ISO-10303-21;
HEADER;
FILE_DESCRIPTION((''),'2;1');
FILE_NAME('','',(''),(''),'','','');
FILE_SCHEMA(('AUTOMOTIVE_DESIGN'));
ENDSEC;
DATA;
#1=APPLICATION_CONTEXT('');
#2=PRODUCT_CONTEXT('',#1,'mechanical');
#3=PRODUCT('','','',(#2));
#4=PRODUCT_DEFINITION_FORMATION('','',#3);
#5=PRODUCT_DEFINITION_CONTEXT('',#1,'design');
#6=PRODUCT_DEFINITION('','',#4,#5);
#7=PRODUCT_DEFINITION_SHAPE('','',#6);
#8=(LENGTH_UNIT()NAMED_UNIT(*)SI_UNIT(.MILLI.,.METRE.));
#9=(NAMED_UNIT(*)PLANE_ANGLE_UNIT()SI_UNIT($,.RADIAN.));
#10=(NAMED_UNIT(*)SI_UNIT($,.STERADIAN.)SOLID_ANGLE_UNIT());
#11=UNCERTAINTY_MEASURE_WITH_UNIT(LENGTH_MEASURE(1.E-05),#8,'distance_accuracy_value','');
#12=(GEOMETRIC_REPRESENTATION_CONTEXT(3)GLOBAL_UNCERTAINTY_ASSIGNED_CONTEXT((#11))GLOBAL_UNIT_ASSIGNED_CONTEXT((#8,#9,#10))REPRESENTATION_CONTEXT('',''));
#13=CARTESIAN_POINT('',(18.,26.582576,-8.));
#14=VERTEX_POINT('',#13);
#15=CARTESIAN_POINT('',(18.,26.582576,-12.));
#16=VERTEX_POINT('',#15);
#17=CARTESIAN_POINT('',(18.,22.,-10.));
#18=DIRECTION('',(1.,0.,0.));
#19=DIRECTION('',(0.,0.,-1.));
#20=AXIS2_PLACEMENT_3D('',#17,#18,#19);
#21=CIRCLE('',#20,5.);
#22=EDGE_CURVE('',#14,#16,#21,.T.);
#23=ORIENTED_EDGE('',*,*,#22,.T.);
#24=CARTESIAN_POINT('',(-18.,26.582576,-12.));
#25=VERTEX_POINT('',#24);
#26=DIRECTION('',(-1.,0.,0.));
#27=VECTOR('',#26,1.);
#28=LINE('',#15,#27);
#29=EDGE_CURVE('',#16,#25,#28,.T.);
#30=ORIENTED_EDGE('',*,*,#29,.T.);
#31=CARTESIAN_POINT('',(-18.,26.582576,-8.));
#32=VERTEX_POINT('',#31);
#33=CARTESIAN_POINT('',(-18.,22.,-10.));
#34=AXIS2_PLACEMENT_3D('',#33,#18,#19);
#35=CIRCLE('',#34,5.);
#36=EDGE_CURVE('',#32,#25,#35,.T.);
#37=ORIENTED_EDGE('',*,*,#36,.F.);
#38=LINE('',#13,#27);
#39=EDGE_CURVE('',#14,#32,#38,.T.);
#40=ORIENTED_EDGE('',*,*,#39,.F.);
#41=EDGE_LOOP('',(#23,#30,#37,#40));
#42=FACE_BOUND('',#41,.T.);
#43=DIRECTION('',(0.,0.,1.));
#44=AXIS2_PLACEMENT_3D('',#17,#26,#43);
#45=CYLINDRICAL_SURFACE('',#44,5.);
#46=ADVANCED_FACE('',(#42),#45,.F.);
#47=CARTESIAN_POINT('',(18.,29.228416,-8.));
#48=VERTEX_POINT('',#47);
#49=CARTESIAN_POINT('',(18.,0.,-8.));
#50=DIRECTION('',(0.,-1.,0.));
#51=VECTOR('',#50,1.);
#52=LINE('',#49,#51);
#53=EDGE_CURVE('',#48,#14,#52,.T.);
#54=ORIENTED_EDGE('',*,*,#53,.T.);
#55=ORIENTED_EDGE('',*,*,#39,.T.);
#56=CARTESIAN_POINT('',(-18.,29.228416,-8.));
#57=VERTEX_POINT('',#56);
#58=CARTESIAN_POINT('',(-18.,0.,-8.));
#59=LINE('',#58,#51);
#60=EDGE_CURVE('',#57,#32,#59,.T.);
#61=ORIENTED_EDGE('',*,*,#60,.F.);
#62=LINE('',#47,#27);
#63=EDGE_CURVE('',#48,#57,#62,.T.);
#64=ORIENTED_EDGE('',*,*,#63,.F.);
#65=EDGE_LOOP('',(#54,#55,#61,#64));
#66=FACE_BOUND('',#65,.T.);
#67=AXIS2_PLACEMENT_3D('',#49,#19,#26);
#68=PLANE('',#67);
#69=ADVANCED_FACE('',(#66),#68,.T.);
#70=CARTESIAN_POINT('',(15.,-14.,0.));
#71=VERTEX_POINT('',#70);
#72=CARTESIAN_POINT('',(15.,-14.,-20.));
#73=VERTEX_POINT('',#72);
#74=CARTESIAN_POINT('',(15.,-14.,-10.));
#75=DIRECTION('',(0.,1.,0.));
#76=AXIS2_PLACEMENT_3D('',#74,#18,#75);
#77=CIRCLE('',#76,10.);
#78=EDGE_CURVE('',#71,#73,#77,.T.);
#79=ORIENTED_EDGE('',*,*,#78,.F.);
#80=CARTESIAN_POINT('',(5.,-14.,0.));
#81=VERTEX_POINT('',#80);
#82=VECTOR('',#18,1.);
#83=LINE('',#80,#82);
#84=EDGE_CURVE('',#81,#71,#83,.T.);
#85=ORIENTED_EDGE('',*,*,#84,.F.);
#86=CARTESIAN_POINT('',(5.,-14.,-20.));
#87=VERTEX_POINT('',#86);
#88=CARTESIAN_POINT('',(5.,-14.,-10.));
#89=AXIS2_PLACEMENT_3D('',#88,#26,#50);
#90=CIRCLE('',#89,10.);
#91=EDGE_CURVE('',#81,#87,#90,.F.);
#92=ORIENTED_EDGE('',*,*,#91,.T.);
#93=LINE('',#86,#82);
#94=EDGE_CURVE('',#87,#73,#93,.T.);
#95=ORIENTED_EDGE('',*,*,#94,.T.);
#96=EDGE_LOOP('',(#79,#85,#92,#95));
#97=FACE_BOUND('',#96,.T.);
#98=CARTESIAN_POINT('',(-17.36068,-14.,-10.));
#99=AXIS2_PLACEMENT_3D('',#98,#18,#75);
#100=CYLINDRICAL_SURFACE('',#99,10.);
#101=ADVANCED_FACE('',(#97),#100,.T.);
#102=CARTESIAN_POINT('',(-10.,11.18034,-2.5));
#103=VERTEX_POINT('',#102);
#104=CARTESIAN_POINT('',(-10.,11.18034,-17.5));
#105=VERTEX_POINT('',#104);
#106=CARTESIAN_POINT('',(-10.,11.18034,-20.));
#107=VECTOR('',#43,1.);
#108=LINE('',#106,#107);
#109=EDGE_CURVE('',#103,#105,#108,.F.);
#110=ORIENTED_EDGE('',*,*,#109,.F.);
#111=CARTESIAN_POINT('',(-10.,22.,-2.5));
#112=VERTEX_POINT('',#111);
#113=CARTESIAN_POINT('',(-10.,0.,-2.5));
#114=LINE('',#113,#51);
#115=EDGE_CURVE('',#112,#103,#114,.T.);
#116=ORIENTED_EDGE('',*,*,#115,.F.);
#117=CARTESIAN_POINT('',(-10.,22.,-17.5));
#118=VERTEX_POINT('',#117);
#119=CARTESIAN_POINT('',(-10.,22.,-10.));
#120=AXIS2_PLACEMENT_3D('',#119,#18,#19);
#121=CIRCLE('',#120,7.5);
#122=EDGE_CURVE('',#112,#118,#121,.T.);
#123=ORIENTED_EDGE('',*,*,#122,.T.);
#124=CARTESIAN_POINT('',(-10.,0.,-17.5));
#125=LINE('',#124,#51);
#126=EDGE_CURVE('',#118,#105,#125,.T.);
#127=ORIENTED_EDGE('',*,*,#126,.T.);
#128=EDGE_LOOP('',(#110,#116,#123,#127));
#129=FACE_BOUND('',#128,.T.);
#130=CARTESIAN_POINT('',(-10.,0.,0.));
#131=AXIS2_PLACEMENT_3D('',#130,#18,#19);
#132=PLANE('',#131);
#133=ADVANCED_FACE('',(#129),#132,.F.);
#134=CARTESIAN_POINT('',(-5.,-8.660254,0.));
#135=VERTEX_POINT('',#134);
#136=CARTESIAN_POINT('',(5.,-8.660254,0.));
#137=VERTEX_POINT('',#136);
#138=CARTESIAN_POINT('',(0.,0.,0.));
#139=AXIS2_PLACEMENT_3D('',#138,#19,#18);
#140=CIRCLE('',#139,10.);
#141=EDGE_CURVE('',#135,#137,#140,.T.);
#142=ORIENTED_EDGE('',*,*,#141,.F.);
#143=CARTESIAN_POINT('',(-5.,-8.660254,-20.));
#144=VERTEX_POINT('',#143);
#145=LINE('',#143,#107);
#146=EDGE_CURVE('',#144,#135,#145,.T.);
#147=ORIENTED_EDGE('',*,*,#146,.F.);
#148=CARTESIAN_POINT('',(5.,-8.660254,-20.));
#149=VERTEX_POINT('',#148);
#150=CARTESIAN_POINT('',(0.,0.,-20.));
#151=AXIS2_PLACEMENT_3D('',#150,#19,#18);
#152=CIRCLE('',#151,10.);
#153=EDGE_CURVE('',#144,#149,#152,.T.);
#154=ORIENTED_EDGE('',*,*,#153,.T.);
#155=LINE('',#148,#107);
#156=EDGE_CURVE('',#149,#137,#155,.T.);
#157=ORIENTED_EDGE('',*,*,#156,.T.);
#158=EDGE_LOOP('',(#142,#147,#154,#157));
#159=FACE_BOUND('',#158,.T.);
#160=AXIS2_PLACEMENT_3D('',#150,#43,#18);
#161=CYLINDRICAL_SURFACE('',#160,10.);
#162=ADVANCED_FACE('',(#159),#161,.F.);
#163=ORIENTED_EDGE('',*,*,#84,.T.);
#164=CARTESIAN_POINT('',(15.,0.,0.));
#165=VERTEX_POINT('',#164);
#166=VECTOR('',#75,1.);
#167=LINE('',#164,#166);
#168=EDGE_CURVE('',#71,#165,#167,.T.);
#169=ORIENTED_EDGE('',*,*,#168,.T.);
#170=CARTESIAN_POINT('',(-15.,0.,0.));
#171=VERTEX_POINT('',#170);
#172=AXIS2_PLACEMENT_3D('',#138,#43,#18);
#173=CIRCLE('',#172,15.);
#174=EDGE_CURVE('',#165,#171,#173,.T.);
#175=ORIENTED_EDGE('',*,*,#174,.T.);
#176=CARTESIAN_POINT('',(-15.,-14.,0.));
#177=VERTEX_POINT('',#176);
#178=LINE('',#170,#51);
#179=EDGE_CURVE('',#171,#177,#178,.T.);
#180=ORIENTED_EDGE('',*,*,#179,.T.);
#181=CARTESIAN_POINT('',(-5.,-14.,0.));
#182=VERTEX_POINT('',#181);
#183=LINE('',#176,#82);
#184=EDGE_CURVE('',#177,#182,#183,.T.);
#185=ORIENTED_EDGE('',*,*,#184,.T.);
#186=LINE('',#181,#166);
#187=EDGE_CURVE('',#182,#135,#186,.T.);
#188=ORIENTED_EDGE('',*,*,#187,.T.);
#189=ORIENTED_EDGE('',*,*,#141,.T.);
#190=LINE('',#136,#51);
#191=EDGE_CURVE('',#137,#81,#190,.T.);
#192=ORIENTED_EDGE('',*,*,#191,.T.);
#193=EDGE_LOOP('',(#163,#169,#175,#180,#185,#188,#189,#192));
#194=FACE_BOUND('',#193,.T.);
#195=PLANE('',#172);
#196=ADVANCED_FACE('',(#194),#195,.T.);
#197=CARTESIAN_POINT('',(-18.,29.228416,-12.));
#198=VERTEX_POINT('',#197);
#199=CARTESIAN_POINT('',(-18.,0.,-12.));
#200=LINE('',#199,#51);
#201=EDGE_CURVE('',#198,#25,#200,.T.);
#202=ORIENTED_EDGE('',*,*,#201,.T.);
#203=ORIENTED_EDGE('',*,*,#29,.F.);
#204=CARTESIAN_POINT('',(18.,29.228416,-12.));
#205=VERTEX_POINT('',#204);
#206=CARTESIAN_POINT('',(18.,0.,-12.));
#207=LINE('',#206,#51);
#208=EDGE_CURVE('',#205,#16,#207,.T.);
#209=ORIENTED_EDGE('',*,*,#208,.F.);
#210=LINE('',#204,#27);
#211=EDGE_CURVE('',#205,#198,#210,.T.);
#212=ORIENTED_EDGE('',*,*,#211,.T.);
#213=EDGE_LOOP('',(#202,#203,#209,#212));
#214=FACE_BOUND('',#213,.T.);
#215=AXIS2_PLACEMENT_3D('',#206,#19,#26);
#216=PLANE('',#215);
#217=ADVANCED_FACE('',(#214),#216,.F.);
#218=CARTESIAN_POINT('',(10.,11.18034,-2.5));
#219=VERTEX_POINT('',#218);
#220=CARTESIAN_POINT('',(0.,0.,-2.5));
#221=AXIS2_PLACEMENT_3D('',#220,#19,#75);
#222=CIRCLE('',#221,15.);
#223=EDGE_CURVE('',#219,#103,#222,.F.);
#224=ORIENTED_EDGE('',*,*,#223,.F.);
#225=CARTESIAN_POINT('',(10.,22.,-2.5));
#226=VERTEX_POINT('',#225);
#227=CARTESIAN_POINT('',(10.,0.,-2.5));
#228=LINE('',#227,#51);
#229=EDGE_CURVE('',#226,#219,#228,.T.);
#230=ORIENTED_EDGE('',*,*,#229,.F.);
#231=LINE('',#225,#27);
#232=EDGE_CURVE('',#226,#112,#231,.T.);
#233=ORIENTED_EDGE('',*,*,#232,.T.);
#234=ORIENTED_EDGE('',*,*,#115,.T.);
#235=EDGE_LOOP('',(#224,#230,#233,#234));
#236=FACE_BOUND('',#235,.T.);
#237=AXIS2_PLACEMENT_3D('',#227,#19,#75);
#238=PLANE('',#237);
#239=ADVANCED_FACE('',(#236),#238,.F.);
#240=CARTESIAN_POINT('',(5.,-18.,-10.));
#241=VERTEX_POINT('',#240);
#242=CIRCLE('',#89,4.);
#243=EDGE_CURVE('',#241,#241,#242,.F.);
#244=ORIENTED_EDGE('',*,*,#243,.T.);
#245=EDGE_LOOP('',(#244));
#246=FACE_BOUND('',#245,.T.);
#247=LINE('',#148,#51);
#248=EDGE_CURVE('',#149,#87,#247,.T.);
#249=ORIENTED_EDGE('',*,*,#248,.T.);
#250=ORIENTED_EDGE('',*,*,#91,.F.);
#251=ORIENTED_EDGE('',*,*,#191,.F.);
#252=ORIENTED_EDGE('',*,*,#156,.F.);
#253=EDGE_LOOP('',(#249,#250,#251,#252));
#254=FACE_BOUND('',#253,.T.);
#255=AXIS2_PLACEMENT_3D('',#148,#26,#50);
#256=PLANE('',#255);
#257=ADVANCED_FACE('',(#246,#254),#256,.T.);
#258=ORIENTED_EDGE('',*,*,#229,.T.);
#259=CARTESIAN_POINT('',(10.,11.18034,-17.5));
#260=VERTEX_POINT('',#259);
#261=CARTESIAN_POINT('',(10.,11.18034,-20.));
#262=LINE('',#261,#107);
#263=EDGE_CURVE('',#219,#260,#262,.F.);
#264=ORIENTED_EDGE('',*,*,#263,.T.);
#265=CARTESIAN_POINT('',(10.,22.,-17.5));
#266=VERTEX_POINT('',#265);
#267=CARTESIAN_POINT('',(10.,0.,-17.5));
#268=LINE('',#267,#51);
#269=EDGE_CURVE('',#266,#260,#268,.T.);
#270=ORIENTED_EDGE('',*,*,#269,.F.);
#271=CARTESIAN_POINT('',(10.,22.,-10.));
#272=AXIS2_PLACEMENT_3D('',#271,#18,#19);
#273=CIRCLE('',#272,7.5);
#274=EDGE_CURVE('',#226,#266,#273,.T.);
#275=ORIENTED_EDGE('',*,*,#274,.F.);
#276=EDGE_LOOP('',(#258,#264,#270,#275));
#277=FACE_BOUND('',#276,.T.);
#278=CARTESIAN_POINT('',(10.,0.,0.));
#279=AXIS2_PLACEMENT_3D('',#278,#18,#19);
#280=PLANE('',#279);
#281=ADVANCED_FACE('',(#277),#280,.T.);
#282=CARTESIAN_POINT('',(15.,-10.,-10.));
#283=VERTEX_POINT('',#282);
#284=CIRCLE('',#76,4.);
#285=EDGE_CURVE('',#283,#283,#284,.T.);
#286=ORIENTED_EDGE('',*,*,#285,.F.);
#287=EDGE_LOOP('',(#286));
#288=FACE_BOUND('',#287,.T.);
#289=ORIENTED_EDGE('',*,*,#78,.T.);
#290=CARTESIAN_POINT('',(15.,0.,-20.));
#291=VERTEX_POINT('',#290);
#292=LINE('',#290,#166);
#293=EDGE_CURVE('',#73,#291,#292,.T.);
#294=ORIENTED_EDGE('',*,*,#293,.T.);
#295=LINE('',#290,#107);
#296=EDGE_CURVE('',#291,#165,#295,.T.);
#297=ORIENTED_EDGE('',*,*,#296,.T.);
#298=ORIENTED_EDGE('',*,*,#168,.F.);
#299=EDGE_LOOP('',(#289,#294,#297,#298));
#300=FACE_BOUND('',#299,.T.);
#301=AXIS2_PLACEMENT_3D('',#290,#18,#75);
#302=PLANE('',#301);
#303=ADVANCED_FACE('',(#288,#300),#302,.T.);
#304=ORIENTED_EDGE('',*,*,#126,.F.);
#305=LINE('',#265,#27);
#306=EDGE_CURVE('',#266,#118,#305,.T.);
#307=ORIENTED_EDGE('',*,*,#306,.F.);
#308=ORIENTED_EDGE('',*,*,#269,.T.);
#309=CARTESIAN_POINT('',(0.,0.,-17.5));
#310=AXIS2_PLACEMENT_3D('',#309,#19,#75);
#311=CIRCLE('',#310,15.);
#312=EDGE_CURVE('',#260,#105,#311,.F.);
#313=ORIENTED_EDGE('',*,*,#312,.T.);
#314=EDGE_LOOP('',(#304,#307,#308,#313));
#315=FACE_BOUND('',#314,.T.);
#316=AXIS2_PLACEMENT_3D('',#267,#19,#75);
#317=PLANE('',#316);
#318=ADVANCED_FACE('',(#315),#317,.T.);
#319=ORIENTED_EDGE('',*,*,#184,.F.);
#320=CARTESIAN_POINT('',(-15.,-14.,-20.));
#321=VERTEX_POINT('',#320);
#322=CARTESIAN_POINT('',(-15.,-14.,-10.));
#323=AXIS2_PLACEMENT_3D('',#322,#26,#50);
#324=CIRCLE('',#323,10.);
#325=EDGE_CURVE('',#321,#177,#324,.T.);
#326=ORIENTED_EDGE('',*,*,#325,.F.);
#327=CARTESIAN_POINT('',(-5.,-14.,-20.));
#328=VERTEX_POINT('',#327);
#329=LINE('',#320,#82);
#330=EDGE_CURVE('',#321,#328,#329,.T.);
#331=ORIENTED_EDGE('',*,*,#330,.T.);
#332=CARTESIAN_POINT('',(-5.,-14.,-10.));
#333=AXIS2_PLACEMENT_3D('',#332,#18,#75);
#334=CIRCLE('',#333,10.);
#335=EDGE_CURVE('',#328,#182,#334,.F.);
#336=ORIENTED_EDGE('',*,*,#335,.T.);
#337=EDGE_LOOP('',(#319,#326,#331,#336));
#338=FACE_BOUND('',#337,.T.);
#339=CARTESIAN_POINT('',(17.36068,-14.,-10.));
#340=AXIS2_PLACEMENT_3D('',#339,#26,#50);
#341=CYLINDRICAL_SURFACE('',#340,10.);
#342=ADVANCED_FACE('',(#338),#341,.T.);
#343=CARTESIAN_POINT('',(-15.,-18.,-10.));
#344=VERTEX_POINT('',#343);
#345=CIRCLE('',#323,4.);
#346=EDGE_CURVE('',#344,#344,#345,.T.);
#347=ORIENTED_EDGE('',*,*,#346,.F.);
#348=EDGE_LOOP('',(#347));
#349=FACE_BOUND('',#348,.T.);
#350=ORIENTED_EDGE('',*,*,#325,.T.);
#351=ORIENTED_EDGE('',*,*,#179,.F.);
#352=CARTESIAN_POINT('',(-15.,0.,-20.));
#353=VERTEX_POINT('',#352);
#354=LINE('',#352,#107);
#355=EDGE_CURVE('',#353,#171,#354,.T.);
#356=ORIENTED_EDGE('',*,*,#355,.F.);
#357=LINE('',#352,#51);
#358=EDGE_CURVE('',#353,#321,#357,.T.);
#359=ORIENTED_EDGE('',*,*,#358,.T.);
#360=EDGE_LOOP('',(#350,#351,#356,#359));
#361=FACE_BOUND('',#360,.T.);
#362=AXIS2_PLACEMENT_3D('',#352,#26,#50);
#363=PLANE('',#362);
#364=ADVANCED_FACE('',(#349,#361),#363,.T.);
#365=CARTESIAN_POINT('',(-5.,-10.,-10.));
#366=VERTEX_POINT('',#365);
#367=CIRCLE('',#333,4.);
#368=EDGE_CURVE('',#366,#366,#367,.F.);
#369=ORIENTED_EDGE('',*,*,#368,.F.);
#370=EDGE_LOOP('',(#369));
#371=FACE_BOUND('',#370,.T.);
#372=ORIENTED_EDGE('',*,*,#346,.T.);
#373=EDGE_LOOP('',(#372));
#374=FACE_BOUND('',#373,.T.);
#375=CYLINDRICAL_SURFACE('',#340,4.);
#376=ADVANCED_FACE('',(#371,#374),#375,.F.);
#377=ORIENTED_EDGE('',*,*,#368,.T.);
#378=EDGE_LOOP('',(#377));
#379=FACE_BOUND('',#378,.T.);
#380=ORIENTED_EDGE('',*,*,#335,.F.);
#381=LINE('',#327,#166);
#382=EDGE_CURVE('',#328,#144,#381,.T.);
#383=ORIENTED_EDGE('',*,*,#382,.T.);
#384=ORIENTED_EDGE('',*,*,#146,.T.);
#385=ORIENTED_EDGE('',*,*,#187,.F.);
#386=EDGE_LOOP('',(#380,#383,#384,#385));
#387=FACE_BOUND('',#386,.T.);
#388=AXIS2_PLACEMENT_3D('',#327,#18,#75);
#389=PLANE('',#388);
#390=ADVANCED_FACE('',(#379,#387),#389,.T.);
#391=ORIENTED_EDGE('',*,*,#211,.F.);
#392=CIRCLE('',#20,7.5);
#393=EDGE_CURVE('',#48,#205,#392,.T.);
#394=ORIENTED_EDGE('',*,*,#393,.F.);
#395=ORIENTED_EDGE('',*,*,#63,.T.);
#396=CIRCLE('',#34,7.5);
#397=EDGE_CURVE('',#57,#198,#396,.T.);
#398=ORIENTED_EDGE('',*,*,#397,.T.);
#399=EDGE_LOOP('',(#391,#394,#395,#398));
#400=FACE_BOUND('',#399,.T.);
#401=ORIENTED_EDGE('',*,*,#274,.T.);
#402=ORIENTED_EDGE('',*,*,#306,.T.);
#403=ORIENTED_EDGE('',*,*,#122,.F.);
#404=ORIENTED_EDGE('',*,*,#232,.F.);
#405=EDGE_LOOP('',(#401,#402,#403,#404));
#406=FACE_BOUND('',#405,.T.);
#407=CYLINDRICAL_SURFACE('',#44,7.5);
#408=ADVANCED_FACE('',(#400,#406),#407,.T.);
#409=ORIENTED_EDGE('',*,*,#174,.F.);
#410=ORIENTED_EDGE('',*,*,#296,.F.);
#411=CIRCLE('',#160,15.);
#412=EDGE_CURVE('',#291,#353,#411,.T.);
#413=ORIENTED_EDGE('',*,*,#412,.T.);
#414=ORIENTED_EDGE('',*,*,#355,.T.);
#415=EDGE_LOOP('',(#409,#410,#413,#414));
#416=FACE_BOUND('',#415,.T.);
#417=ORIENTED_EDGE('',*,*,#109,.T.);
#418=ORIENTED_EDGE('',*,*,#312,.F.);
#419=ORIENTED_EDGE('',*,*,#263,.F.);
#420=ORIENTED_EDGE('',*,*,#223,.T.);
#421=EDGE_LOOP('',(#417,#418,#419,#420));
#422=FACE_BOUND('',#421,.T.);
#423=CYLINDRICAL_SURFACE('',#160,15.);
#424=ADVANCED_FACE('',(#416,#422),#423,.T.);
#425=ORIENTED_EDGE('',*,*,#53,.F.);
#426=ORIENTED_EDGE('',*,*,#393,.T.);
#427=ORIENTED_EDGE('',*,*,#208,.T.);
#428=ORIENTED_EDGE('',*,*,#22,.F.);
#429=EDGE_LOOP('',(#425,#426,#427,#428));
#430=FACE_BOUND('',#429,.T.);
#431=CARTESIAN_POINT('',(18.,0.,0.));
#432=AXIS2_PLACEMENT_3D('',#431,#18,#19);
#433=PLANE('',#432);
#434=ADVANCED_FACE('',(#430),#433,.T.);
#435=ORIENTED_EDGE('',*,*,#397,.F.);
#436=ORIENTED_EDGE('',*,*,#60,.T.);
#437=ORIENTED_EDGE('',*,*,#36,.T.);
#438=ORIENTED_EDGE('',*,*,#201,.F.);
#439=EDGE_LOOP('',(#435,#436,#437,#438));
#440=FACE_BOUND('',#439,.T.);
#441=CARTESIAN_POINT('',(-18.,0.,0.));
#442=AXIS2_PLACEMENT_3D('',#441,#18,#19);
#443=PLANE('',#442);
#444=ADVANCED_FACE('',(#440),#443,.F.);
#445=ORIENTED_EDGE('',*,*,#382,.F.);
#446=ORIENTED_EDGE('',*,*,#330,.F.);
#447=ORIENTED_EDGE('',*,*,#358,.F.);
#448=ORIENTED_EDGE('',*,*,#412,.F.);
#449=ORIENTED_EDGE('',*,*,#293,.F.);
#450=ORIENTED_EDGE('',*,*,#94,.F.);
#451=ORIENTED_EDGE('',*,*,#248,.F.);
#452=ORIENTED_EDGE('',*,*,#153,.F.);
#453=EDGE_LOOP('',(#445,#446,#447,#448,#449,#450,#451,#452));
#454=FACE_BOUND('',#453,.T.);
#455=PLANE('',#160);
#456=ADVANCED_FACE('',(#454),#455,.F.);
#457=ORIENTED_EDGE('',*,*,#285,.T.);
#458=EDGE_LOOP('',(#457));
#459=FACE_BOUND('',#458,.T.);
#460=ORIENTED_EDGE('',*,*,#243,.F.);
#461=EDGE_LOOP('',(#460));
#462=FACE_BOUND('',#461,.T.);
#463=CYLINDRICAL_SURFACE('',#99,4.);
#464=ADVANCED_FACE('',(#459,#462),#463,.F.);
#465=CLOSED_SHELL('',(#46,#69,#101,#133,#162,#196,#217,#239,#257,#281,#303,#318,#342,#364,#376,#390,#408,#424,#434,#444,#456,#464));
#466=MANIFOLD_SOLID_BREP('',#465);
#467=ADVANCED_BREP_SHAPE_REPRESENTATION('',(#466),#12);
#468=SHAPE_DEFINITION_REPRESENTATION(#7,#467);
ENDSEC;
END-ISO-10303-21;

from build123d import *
from build123d.topology import SkipClean

# Parameters (mm, degrees)
BIG_CYL_DEPTH       = 20
HALF_CIRCLE_DEPTH   = 10
SMALL_CYL_DEPTH     = 10
HALF_START          = -10
HALF_CIRCLE_2_DEPTH = 10
SMAL_START          = -10
SMAL_CYL_2_DEPTH    = 10
LONG_CYL_DEPTH      = 18
BASE_DEPTH          = 10


with BuildPart() as part:
    # Sketch1 → big cyl (new body)
    with BuildSketch(Plane.XY):
        with BuildLine():
            Line((-15, 0), (-15, -14))
            Line((-15, -14), (-5, -14))
            Line((-5, -14), (-5, -8.660254038))
            ThreePointArc((-5, -8.660254038), (0, 10), (5, -8.660254038))
            Line((5, -8.660254038), (5, -14))
            Line((5, -14), (15, -14))
            Line((15, -14), (15, 0))
            ThreePointArc((15, 0), (0, 15), (-15, 0))
        make_face()
    extrude(amount=-BIG_CYL_DEPTH)

    # Sketch2 → half circle (add)
    with BuildSketch(Plane.ZY.offset(15)):
        with BuildLine():
            Line((-14, -14), (-20, -14))
            ThreePointArc((-20, -14), (-10, -24), (0, -14))
            Line((0, -14), (-6, -14))
            ThreePointArc((-6, -14), (-10, -18), (-14, -14))
        make_face()
    extrude(amount=-HALF_CIRCLE_DEPTH)

    # Sketch2_5 → small cyl (cut)
    with SkipClean():  # the faces are left unmerged after this step: merging them gives an invalid solid
        with BuildSketch(Plane.ZY.offset(15)):
            with BuildLine():
                Line((-14, -14), (-6, -14))
                ThreePointArc((-6, -14), (-10, -10), (-14, -14))
            make_face()
        extrude(amount=-SMALL_CYL_DEPTH, mode=Mode.SUBTRACT)

    # Sketch4 → half circle 2 (add)
    with SkipClean():  # the faces are left unmerged after this step: merging them gives an invalid solid
        with BuildSketch(Plane(origin=(15, 0, 0), x_dir=(0, 0, -1), z_dir=(1, 0, 0)).offset(HALF_START)):
            with BuildLine():
                Line((6, -14), (0, -14))
                ThreePointArc((0, -14), (10, -24), (20, -14))
                Line((20, -14), (14, -14))
                ThreePointArc((14, -14), (10, -18), (6, -14))
            make_face()
        extrude(amount=HALF_CIRCLE_2_DEPTH)

    # Sketch4_4 → smal cyl 2 (cut)
    with SkipClean():  # the faces are left unmerged after this step: merging them gives an invalid solid
        with BuildSketch(Plane(origin=(15, 0, 0), x_dir=(0, 0, -1), z_dir=(1, 0, 0)).offset(SMAL_START)):
            with BuildLine():
                ThreePointArc((14, -14), (10, -10), (6, -14))
                Line((6, -14), (14, -14))
            make_face()
            with BuildLine():
                Line((14, -14), (6, -14))
                ThreePointArc((6, -14), (10, -18), (14, -14))
            make_face()
        extrude(amount=SMAL_CYL_2_DEPTH, mode=Mode.SUBTRACT)

    # Sketch5 → long cyl (add, symmetric)
    with SkipClean():  # the faces are left unmerged after this step: merging them gives an invalid solid
        with BuildSketch(Plane(origin=(0, 0, 0), x_dir=(0, 0, -1), z_dir=(1, 0, 0))):
            with BuildLine():
                ThreePointArc((8, 29.228416147), (4.031331807, 26.541475531), (2.5, 22))
                ThreePointArc((2.5, 22), (10, 14.5), (17.5, 22))
                ThreePointArc((17.5, 22), (15.968668193, 26.541475531), (12, 29.228416147))
                Line((12, 29.228416147), (12, 26.582575695))
                ThreePointArc((12, 26.582575695), (14.183300133, 24.738612788), (15, 22))
                ThreePointArc((15, 22), (7.261387212, 17.816699867), (8, 26.582575695))
                Line((8, 26.582575695), (8, 29.228416147))
            make_face()
        extrude(amount=LONG_CYL_DEPTH, both=True)

    # Sketch5_3 → base (add, symmetric)
    with SkipClean():  # the faces are left unmerged after this step: merging them gives an invalid solid
        with BuildSketch(Plane(origin=(0, 0, 0), x_dir=(0, 0, -1), z_dir=(1, 0, 0))):
            with BuildLine():
                ThreePointArc((17.5, 22), (10, 14.5), (2.5, 22))
                Line((2.5, 22), (2.5, 10.5))
                Line((2.5, 10.5), (17.5, 10.5))
                Line((17.5, 10.5), (17.5, 22))
            make_face()
        extrude(amount=BASE_DEPTH, both=True)


solid = part.part
